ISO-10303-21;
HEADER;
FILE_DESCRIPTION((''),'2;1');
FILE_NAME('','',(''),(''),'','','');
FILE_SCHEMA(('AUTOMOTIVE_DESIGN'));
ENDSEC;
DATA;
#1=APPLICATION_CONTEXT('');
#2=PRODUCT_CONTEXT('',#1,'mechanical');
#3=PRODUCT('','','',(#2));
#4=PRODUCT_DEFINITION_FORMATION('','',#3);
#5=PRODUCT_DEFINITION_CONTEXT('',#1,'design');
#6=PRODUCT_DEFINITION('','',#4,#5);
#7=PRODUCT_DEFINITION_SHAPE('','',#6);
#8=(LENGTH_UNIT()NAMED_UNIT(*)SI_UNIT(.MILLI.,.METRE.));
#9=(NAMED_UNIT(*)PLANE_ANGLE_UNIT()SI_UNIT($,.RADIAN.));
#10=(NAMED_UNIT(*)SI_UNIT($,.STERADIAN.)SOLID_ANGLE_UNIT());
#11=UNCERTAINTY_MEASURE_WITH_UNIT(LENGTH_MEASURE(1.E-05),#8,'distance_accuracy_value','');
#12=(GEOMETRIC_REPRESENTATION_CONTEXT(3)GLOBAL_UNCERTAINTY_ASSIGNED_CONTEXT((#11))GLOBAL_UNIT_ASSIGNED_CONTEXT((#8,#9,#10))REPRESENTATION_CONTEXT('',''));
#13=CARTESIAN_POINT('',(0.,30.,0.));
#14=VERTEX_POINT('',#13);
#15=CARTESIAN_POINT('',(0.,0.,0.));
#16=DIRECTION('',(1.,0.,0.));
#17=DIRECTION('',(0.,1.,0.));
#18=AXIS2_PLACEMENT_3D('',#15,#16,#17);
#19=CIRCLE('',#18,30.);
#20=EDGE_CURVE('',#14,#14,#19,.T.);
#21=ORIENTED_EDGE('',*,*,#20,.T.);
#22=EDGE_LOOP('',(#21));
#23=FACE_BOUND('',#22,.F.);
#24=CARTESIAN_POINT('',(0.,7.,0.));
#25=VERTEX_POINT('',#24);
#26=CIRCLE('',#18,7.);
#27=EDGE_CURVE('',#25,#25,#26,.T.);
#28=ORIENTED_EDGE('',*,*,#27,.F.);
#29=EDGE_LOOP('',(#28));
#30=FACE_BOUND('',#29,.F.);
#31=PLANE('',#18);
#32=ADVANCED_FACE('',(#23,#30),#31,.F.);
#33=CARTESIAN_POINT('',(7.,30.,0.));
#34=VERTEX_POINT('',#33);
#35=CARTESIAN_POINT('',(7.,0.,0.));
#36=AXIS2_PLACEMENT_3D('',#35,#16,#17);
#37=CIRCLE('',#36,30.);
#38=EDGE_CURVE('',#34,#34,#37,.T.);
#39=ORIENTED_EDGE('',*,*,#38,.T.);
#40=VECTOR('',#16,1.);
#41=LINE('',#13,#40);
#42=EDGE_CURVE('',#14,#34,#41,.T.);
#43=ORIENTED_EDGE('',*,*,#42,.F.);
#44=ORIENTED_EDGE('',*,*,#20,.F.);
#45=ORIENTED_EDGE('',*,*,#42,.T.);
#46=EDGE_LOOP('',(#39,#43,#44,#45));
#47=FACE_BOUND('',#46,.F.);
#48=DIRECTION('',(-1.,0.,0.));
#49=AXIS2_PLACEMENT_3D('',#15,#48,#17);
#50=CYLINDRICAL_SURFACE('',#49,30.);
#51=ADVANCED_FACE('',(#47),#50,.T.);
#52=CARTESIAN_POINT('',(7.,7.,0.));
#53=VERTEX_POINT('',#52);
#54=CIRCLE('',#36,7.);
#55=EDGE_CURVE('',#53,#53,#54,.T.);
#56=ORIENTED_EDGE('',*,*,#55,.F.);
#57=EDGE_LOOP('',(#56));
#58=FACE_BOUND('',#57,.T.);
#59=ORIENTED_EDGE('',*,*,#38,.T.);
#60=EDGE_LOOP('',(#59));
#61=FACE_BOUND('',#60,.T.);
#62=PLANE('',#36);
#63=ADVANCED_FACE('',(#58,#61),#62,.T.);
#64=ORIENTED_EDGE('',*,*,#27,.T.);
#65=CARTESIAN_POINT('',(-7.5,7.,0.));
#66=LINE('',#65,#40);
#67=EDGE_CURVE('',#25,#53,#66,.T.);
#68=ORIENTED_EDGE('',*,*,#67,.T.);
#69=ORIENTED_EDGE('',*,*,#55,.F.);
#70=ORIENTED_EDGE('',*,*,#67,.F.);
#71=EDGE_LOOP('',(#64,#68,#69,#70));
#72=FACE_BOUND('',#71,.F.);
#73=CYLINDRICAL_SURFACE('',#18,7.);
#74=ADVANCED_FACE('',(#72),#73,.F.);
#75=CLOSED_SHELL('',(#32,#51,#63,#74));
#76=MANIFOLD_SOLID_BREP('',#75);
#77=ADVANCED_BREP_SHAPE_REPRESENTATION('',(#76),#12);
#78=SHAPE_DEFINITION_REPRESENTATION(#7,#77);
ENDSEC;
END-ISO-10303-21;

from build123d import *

# Parameters (mm, degrees)
F0_R     = 30
F1_DEPTH = 7
F2_R     = 7
F3_DEPTH = 7.5


with BuildPart() as f1:
    # F0 (on Right) → F1 (new body)
    with BuildSketch(Plane.YZ):
        Circle(F0_R)
    extrude(amount=F1_DEPTH)

    # F2 (on Right) → F3 (cut, symmetric)
    with BuildSketch(Plane.YZ):
        Circle(F2_R)
    extrude(amount=F3_DEPTH, both=True, mode=Mode.SUBTRACT)


solid = f1.part
